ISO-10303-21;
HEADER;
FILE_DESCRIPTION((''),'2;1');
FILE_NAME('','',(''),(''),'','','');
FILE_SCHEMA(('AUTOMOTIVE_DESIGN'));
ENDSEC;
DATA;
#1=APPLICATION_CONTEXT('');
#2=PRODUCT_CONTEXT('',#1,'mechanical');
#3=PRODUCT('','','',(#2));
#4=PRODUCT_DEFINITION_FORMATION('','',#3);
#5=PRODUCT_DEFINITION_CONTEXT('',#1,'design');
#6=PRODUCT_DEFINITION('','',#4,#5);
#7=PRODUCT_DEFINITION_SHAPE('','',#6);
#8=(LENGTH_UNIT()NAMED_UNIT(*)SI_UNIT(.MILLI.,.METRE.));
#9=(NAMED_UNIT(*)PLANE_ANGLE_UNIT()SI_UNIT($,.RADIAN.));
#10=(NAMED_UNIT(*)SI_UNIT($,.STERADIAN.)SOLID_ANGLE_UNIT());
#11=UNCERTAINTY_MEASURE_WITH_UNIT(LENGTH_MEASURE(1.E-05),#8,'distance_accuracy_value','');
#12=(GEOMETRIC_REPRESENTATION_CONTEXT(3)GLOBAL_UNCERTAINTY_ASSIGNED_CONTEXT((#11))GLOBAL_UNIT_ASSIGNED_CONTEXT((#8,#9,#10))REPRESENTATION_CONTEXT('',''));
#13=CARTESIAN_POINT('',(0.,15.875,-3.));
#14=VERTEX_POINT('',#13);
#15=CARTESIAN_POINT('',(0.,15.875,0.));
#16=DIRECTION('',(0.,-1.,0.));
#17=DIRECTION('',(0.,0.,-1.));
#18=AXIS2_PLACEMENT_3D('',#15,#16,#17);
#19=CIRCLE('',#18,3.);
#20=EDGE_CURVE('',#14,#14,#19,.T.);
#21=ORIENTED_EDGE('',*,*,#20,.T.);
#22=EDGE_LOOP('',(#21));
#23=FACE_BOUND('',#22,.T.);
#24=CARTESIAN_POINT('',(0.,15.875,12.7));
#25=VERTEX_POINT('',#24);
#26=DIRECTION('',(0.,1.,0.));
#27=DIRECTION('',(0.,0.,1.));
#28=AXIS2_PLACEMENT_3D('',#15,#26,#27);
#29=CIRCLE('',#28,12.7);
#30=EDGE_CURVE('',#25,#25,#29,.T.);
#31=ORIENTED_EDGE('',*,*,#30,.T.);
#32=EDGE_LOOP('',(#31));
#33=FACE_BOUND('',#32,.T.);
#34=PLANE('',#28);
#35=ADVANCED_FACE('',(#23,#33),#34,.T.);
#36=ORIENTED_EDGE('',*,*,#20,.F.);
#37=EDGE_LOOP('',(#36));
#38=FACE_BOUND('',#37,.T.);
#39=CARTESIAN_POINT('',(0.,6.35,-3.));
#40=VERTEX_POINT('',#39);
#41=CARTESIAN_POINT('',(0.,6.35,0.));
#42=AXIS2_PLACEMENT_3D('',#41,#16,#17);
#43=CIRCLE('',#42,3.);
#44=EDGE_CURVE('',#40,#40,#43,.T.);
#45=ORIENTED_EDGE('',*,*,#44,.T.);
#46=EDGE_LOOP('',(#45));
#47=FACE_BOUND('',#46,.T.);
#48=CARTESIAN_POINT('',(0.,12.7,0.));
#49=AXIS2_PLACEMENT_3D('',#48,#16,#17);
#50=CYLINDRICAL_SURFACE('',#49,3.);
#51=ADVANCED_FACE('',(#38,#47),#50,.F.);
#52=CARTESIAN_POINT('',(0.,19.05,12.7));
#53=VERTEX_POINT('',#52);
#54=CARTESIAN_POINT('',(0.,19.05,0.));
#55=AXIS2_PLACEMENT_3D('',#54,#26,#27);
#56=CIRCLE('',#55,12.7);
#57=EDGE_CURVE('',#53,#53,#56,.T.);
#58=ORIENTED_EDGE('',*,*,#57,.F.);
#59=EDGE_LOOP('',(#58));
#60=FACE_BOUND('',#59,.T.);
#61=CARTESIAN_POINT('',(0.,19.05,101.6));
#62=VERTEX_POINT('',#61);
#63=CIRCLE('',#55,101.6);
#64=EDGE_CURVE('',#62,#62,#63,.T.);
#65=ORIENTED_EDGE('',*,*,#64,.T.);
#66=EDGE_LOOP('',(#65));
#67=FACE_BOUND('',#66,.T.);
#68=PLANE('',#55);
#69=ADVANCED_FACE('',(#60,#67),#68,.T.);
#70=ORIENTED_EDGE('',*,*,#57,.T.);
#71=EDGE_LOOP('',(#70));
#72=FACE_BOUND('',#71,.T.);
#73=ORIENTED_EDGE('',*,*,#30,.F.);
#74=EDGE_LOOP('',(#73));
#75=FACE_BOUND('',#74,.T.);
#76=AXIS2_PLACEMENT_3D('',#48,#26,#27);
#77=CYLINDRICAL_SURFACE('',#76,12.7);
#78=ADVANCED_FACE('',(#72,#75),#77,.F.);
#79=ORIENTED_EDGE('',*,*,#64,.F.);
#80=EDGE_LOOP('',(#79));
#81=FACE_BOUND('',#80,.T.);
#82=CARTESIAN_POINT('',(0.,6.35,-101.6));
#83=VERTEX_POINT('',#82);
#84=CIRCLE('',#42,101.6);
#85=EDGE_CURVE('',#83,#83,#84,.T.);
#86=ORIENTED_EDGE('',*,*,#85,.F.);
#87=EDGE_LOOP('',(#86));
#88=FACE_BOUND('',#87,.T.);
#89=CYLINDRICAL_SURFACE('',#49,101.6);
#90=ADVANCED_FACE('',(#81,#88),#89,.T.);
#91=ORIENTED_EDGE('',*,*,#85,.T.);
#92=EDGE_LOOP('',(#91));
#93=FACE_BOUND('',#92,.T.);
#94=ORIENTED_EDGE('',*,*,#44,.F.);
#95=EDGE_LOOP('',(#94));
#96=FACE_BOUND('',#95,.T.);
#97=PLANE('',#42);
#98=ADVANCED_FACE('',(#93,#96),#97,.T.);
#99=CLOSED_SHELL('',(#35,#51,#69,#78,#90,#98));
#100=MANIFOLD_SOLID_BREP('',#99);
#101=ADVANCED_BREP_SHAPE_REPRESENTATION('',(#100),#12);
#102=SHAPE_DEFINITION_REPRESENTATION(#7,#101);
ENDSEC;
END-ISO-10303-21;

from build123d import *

# Parameters (mm, degrees)
SKETCH1_R           = 101.6
SKETCH1_R_2         = 3
BOSS_EXTRUDE1_DEPTH = 12.7
SKETCH7_R           = 101.6
SKETCH7_R_2         = 3
BOSS_EXTRUDE3_DEPTH = 6.35
SKETCH8_R           = 12.7
CUT_EXTRUDE1_DEPTH  = 6.35
CUT_EXTRUDE2_START  = -6.35
SKETCH9_R           = 12.7
CUT_EXTRUDE2_DEPTH  = 6.35
SKETCH10_R          = 101.6
CUT_EXTRUDE3_DEPTH  = 6.35
BOSS_EXTRUDE4_START = 3.175
SKETCH12_R          = 12.7
BOSS_EXTRUDE4_DEPTH = 3.175
SKETCH13_R          = 3
CUT_EXTRUDE6_DEPTH  = 3.175


with BuildPart() as part:
    # Sketch1 → Boss-Extrude1 (new body)
    with BuildSketch(Plane(origin=(0, 0, 0), x_dir=(1, 0, 0), z_dir=(0, 1, 0))):
        with Locations(Location((0, 0, 0), (0, 0, 270))):
            Circle(SKETCH1_R)
        with Locations(Location((0, 0, 0), (0, 0, 270))):
            Circle(SKETCH1_R_2, mode=Mode.SUBTRACT)
    extrude(amount=BOSS_EXTRUDE1_DEPTH)

    # Sketch7 → Boss-Extrude3 (add)
    with BuildSketch(Plane(origin=(0, 12.7, 0), x_dir=(1, 0, 0), z_dir=(0, 1, 0))):
        with Locations(Location((0, 0, 0), (0, 0, 270))):
            Circle(SKETCH7_R)
        with Locations(Location((0, 0, 0), (0, 0, 270))):
            Circle(SKETCH7_R_2, mode=Mode.SUBTRACT)
    extrude(amount=BOSS_EXTRUDE3_DEPTH)

    # Sketch8 → Cut-Extrude1 (cut)
    with BuildSketch(Plane(origin=(0, 19.05, 0), x_dir=(1, 0, 0), z_dir=(0, 1, 0))):
        with Locations(Location((0, 0, 0), (0, 0, 270))):
            Circle(SKETCH8_R)
    extrude(amount=-CUT_EXTRUDE1_DEPTH, mode=Mode.SUBTRACT)

    # Sketch9 → Cut-Extrude2 (cut)
    with BuildSketch(Plane.XZ.offset(CUT_EXTRUDE2_START)):
        with Locations(Location((0, 0, 0), (0, 0, 90))):
            Circle(SKETCH9_R)
    extrude(amount=CUT_EXTRUDE2_DEPTH, mode=Mode.SUBTRACT)

    # Sketch10 → Cut-Extrude3 (cut)
    with BuildSketch(Plane.XZ):
        with Locations(Location((0, 0, 0), (0, 0, 270))):
            Circle(SKETCH10_R)
    extrude(amount=-CUT_EXTRUDE3_DEPTH, mode=Mode.SUBTRACT)

    # Sketch12 → Boss-Extrude4 (add)
    with BuildSketch(Plane(origin=(0, 12.7, 0), x_dir=(1, 0, 0), z_dir=(0, 1, 0)).offset(BOSS_EXTRUDE4_START)):
        with Locations(Location((0, 0, 0), (0, 0, 270))):
            Circle(SKETCH12_R)
    extrude(amount=-BOSS_EXTRUDE4_DEPTH)

    # Sketch13 → Cut-Extrude6 (cut)
    with BuildSketch(Plane.XZ.offset(-12.7)):
        with Locations(Location((0, 0, 0), (0, 0, 270))):
            Circle(SKETCH13_R)
    extrude(amount=-CUT_EXTRUDE6_DEPTH, mode=Mode.SUBTRACT)


solid = part.part
